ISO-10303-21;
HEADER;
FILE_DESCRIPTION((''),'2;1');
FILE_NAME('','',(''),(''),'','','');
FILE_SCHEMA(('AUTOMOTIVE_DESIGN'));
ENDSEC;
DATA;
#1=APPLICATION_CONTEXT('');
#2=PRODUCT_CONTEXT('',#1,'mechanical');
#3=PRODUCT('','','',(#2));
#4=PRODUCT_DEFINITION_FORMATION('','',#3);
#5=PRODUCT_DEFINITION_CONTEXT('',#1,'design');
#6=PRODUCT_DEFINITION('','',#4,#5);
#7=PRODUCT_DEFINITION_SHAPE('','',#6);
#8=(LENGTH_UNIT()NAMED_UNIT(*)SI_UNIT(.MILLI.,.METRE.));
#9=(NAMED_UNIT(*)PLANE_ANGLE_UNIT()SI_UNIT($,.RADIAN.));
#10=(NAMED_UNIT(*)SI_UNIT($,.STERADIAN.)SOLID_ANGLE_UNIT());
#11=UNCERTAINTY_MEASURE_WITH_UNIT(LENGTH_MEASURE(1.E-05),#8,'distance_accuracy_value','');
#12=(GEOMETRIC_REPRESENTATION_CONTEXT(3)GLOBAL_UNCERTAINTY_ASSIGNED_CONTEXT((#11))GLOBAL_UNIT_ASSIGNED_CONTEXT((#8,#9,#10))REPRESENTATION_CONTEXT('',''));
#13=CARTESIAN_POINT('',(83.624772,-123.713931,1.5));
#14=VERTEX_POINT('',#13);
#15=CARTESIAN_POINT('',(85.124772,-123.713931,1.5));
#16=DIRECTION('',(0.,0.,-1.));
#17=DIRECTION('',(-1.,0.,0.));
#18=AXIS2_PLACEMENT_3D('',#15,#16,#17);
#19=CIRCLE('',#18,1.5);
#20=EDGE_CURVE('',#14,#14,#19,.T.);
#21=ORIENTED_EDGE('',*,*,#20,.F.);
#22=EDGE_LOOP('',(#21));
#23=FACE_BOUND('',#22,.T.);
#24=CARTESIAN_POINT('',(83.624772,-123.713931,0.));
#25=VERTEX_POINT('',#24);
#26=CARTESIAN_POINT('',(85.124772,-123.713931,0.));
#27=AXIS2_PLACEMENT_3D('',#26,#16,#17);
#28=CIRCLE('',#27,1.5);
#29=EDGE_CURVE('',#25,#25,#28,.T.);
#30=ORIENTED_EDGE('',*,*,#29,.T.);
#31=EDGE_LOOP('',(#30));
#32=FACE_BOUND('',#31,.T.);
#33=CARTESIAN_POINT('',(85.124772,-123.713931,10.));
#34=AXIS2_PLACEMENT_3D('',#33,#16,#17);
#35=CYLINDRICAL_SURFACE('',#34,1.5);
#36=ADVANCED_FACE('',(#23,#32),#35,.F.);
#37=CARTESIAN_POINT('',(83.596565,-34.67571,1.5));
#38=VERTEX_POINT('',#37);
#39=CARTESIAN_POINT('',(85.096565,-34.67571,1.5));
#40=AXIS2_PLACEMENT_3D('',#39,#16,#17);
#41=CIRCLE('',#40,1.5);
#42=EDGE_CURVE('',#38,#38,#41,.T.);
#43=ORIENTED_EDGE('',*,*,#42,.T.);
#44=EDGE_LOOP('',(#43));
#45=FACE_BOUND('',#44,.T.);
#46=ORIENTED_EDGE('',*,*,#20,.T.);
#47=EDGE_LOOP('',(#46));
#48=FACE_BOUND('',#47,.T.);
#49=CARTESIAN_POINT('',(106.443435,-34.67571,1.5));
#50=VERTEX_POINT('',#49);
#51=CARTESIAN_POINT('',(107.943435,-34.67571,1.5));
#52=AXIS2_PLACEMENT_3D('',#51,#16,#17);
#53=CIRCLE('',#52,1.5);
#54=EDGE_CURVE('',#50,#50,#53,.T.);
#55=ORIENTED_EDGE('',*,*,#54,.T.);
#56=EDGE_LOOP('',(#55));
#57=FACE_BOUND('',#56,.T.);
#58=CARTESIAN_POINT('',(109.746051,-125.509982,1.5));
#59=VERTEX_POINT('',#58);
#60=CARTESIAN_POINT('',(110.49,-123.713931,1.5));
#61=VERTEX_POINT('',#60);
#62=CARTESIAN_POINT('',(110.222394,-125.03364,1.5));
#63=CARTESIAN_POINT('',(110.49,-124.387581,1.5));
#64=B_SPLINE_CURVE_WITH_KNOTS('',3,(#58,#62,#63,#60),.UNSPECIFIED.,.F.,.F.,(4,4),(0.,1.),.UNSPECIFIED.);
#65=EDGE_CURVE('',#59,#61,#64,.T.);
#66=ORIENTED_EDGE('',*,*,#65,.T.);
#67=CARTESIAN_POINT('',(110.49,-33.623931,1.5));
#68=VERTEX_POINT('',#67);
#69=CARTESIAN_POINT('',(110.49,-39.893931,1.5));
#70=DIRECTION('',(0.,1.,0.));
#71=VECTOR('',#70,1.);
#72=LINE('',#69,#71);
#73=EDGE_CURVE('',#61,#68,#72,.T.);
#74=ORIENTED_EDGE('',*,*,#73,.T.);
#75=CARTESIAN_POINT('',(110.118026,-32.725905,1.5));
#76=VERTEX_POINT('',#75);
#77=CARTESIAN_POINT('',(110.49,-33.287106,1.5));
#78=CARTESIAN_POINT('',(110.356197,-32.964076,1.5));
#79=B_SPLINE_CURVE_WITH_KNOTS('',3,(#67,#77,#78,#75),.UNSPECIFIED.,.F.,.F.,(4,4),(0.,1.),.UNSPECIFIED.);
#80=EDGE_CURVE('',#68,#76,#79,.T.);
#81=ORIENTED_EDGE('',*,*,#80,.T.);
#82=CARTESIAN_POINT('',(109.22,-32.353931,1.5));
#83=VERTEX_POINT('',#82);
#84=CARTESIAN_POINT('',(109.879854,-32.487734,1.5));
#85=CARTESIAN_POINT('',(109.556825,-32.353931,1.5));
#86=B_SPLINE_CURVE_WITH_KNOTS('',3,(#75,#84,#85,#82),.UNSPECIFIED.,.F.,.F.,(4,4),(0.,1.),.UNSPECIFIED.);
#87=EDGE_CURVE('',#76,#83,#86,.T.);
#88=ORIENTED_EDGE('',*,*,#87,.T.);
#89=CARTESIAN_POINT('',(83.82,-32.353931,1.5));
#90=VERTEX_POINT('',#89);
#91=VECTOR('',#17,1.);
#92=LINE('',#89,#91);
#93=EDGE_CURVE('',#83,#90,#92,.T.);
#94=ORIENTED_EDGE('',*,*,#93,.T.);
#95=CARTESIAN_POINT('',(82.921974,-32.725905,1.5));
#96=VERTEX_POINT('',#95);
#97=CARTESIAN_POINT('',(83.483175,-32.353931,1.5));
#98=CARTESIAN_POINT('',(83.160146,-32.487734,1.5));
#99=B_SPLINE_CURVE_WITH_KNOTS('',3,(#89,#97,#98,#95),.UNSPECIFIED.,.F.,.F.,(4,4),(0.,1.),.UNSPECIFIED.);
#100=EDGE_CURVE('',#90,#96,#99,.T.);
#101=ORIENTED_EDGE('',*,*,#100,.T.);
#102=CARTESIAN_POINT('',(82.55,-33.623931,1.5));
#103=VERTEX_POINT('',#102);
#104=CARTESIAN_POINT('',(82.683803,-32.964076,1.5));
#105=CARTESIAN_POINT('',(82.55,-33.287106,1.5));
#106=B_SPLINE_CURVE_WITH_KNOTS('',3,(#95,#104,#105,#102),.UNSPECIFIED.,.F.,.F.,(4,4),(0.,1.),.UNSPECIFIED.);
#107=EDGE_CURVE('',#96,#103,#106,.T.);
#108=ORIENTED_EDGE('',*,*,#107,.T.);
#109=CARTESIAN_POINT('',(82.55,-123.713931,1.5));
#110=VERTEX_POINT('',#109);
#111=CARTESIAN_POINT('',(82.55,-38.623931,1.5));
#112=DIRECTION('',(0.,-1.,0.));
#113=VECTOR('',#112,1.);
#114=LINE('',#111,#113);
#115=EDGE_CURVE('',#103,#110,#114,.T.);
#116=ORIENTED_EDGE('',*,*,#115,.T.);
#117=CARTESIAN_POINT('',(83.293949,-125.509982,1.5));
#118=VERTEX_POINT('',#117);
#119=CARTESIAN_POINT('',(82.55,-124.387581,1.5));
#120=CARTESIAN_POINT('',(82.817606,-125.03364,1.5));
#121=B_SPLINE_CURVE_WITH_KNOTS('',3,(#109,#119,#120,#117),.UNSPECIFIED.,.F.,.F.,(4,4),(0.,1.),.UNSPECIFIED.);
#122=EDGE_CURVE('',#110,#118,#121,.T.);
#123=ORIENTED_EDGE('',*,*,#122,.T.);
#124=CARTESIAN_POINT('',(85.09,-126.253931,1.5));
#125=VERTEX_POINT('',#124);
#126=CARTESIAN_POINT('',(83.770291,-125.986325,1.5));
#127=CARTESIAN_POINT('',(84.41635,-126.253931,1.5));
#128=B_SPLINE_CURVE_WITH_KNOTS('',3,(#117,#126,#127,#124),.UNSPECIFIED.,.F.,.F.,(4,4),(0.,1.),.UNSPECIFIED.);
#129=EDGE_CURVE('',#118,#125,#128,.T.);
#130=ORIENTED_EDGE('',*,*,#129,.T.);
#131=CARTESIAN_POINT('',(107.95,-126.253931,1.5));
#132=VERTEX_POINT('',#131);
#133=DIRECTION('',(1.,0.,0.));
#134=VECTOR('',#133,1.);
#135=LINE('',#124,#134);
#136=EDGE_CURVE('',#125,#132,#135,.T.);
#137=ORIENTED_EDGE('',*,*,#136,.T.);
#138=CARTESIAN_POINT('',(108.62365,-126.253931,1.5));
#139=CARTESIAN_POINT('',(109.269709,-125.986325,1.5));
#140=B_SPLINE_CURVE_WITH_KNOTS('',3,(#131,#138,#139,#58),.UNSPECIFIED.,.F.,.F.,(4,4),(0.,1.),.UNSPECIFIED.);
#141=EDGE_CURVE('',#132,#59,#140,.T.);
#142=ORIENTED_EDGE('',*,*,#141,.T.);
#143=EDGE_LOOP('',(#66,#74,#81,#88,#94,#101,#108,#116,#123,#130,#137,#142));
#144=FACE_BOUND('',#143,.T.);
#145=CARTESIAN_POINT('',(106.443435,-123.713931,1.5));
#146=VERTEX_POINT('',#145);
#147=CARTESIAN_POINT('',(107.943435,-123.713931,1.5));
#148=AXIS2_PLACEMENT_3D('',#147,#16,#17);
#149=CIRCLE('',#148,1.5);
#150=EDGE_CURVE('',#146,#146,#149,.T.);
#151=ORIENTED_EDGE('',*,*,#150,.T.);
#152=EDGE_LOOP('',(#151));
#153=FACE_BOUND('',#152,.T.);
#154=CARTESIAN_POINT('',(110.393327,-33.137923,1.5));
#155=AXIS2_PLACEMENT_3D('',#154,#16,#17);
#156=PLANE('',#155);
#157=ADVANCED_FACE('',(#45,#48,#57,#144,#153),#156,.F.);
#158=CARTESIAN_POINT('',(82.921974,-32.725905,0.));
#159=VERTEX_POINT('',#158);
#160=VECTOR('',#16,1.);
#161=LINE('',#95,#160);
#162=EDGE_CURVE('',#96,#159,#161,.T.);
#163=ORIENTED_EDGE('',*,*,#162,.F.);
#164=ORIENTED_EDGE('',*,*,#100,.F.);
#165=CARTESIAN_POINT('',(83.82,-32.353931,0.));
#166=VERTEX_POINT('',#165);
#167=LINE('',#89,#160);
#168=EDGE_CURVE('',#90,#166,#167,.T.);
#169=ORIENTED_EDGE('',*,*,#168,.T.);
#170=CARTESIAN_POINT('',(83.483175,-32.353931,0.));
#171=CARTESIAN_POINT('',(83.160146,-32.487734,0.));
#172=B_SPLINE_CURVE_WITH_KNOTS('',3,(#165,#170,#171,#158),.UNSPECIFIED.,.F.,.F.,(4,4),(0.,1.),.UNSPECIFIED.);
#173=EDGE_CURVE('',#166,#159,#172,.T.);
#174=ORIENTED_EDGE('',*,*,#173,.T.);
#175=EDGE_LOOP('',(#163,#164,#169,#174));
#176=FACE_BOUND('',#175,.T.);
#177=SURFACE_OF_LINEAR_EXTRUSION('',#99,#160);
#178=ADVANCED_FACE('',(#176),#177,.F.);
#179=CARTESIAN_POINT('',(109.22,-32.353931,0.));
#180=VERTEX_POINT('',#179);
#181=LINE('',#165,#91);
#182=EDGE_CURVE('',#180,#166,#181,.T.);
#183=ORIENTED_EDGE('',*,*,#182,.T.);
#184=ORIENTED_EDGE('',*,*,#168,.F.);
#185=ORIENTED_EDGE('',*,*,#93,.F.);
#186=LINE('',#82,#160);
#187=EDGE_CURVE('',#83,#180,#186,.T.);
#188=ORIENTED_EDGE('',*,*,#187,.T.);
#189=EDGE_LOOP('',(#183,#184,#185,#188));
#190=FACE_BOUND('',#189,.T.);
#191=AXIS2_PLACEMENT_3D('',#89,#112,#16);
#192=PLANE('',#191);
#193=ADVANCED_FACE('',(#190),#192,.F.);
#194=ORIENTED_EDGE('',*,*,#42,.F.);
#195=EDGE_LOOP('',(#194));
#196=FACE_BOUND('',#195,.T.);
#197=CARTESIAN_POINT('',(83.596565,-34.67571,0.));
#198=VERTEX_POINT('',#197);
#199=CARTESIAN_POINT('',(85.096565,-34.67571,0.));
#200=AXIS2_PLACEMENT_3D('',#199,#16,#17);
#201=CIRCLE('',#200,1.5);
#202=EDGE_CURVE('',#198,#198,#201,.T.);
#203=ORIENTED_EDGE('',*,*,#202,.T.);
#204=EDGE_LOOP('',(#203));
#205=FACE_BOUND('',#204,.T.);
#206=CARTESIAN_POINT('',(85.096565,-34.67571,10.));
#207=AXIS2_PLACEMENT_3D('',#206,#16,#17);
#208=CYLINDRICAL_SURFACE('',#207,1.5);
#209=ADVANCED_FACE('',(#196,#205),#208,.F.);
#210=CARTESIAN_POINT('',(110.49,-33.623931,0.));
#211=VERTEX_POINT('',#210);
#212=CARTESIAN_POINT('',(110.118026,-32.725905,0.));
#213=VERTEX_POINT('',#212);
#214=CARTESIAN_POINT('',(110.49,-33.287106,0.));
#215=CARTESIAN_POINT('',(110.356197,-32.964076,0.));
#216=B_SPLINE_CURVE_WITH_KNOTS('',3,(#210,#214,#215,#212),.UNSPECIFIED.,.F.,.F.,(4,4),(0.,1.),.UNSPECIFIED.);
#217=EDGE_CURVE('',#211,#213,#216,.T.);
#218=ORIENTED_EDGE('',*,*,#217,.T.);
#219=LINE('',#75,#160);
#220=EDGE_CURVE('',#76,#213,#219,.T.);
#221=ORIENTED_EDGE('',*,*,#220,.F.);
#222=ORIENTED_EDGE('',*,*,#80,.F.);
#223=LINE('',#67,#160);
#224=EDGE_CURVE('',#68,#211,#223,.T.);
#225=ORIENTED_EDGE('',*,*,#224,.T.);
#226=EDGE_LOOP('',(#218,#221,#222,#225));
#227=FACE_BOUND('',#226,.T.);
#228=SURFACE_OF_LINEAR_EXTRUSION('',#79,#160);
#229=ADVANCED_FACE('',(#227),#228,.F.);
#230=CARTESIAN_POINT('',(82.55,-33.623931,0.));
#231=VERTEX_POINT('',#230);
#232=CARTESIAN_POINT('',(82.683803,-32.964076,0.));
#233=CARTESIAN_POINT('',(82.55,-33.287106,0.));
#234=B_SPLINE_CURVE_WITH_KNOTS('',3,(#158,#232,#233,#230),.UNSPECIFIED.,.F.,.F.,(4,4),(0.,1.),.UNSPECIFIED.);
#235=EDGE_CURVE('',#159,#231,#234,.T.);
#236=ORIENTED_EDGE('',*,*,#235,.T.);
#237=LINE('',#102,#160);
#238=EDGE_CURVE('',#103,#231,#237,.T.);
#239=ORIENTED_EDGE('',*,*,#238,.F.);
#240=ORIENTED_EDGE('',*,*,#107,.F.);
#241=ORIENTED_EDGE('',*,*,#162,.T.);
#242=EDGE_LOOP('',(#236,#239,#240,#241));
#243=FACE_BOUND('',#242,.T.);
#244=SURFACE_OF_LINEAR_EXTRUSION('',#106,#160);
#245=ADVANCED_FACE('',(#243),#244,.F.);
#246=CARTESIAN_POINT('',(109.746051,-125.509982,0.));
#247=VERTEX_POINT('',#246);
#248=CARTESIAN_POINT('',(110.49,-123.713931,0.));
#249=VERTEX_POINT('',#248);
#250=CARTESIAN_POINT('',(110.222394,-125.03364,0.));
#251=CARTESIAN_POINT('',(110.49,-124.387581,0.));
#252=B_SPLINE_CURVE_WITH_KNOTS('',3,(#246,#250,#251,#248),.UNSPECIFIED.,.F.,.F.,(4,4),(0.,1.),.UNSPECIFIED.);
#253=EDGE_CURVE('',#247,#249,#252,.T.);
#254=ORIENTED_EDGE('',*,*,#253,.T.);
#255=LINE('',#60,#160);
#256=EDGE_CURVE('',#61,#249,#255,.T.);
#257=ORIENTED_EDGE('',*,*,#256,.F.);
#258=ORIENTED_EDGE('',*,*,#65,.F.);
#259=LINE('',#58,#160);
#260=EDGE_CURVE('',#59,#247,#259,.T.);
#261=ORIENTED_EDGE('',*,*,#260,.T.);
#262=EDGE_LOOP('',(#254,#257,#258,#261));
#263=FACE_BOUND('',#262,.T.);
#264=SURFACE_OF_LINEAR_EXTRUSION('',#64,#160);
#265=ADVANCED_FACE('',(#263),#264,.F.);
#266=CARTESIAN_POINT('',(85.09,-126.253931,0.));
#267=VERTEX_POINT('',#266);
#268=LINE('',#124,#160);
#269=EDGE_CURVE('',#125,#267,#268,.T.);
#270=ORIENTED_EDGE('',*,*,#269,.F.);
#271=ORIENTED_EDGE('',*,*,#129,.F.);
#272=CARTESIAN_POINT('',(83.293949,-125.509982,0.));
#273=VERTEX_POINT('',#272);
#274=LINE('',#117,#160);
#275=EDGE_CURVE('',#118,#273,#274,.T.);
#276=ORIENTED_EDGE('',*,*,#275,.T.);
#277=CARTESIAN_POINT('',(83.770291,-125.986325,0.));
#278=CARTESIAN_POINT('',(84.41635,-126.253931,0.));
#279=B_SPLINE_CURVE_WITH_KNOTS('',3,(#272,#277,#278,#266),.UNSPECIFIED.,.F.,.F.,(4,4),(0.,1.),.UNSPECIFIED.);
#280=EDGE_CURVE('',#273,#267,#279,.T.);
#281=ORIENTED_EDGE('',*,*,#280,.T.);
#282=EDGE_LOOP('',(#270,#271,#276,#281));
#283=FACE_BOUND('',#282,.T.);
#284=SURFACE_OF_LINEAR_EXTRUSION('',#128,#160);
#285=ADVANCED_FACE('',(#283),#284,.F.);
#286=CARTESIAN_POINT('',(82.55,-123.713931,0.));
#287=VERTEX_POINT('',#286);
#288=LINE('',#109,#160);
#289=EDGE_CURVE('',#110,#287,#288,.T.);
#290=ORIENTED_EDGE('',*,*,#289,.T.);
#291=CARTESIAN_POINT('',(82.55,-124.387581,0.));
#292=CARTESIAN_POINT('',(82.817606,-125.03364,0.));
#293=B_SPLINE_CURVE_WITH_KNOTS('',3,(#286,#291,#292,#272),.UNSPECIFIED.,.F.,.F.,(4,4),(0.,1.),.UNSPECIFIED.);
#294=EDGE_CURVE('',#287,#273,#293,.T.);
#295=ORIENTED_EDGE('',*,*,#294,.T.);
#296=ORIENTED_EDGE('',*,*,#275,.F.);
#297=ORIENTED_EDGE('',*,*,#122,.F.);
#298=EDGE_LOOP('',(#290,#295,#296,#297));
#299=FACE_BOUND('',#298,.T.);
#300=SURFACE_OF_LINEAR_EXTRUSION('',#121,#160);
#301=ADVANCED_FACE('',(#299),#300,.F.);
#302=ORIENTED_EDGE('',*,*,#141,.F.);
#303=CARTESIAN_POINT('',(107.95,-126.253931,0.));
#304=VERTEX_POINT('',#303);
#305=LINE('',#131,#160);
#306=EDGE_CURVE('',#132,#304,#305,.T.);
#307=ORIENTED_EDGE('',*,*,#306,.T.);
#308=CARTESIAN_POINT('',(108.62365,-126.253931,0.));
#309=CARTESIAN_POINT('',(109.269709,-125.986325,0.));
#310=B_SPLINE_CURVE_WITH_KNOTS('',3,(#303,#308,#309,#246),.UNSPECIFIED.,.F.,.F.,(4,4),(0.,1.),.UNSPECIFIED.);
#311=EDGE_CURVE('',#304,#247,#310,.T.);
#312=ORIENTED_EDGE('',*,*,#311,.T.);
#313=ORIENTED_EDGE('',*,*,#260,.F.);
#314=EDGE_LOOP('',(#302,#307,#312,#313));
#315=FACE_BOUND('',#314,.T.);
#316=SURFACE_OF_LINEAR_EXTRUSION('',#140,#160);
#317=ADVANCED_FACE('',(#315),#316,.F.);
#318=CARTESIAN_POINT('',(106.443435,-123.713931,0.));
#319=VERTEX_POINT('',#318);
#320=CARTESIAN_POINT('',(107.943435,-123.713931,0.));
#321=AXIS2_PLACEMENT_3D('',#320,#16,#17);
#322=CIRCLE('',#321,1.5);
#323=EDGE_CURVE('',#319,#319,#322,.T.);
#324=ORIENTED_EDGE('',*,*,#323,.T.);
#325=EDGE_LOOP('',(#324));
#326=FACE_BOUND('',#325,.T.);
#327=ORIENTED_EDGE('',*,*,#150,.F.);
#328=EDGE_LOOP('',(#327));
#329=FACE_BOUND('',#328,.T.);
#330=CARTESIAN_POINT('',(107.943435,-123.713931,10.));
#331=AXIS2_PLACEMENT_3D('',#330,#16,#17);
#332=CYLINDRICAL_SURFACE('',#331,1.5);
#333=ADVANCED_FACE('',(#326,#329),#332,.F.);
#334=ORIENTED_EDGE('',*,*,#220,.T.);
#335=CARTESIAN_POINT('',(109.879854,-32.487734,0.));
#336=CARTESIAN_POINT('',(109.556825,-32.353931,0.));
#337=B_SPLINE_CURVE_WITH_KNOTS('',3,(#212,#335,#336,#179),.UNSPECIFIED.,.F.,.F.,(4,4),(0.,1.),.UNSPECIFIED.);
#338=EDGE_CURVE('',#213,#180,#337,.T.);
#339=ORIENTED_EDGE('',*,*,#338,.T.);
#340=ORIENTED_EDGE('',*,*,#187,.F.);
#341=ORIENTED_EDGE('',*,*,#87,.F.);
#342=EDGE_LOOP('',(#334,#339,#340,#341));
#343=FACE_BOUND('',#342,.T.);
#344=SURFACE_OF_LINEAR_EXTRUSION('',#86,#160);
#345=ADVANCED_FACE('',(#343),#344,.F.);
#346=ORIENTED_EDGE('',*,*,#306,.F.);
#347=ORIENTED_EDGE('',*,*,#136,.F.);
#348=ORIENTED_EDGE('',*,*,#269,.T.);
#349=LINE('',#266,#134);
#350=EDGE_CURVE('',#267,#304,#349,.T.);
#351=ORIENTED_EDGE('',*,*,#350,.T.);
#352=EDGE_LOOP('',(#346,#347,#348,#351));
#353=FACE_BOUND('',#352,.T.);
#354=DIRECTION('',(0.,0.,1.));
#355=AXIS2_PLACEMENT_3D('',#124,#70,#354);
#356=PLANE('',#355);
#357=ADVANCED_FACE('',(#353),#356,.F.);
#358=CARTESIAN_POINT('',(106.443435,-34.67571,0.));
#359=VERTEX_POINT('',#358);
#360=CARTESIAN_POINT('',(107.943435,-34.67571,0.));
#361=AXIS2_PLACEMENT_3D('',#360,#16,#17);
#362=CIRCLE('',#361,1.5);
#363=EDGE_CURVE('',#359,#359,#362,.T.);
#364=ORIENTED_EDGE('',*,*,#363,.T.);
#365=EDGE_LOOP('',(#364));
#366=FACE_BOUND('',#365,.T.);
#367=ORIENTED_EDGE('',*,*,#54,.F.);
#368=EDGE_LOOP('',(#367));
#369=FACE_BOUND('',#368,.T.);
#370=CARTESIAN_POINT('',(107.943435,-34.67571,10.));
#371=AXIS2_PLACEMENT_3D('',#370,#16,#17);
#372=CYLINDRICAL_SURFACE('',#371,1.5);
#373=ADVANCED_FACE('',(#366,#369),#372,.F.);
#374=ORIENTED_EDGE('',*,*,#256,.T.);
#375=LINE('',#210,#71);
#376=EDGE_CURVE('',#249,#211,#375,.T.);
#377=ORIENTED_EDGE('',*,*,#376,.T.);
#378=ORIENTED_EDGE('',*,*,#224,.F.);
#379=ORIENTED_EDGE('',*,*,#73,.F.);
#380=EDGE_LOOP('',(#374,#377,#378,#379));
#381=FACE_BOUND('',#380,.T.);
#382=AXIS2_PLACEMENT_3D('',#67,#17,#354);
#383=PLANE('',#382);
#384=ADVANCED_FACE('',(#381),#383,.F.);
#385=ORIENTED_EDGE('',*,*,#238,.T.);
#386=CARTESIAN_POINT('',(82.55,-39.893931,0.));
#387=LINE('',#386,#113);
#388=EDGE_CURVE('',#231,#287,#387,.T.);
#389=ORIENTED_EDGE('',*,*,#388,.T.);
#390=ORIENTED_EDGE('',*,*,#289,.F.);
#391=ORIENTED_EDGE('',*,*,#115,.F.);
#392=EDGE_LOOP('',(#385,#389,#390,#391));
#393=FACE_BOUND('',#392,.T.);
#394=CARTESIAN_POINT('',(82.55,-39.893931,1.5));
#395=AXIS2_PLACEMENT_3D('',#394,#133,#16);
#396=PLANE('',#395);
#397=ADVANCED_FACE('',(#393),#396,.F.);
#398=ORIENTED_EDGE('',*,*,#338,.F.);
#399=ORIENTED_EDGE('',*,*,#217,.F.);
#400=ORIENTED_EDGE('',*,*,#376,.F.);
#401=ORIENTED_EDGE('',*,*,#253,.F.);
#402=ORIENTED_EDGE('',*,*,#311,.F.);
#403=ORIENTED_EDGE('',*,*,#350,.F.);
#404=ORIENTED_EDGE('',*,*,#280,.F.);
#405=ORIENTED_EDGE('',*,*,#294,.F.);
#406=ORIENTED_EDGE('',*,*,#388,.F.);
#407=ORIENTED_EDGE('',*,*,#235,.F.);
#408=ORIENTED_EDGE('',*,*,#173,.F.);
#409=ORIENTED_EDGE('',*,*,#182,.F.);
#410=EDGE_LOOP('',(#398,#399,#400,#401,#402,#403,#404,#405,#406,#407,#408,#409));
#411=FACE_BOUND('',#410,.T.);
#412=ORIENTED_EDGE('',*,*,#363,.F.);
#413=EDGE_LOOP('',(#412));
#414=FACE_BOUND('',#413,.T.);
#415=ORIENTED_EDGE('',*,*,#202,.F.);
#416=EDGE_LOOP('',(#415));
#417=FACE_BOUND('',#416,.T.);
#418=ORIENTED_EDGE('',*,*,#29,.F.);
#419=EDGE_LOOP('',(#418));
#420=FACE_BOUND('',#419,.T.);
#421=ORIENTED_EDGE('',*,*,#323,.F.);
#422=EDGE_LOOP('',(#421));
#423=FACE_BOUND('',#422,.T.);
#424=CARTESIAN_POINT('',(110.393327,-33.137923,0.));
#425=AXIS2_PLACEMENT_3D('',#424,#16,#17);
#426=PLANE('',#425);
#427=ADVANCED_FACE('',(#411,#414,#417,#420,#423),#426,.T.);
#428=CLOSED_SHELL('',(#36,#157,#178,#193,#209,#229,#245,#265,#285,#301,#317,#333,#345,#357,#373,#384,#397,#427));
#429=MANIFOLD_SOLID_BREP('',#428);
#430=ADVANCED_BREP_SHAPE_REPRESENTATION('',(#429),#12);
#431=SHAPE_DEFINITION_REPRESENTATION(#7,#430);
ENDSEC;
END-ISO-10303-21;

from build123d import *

# Parameters (mm, degrees)
BOSS_EXTRU_1_DEPTH      = 1.5
ESQUISSE2_R             = 1.304771715
ESQUISSE2_R_2           = 1.27
ENL_V_MAT_EXTRU_1_DEPTH = 10
ESQUISSE3_R             = 1.3
ENL_V_MAT_EXTRU_2_DEPTH = 10
ESQUISSE4_R             = 1.3
ENL_V_MAT_EXTRU_3_DEPTH = 10
ESQUISSE6_R             = 1.5
ENL_V_MAT_EXTRU_4_DEPTH = 10


with BuildPart() as part:
    # Model → Boss.-Extru.1 (new body)
    with BuildSketch(Plane.XY):
        with BuildLine():
            Line((110.49, -33.623931), (110.49, -38.623931))
            Line((110.49, -38.623931), (110.49, -39.893931))
            Line((110.49, -39.893931), (110.49, -123.713931))
            add(Edge.make_bspline(
                [(109.746051, -125.509982), (110.222394, -125.03364), (110.49, -124.387581), (110.49, -123.713931)],
                knots=[0, 0, 0, 0, 1, 1, 1, 1], degree=3))
            add(Edge.make_bspline(
                [(107.95, -126.253931), (108.62365, -126.253931), (109.269709, -125.986325), (109.746051, -125.509982)],
                knots=[0, 0, 0, 0, 1, 1, 1, 1], degree=3))
            Line((107.95, -126.253931), (85.09, -126.253931))
            add(Edge.make_bspline(
                [(83.293949, -125.509982), (83.770291, -125.986325), (84.41635, -126.253931), (85.09, -126.253931)],
                knots=[0, 0, 0, 0, 1, 1, 1, 1], degree=3))
            add(Edge.make_bspline(
                [(82.55, -123.713931), (82.55, -124.387581), (82.817606, -125.03364), (83.293949, -125.509982)],
                knots=[0, 0, 0, 0, 1, 1, 1, 1], degree=3))
            Line((82.55, -123.713931), (82.55, -39.893931))
            Line((82.55, -39.893931), (82.55, -38.623931))
            Line((82.55, -38.623931), (82.55, -33.623931))
            add(Edge.make_bspline(
                [(82.921974, -32.725905), (82.683803, -32.964076), (82.55, -33.287106), (82.55, -33.623931)],
                knots=[0, 0, 0, 0, 1, 1, 1, 1], degree=3))
            add(Edge.make_bspline(
                [(83.82, -32.353931), (83.483175, -32.353931), (83.160146, -32.487734), (82.921974, -32.725905)],
                knots=[0, 0, 0, 0, 1, 1, 1, 1], degree=3))
            Line((83.82, -32.353931), (109.22, -32.353931))
            add(Edge.make_bspline(
                [(110.118026, -32.725905), (109.879854, -32.487734), (109.556825, -32.353931), (109.22, -32.353931)],
                knots=[0, 0, 0, 0, 1, 1, 1, 1], degree=3))
            add(Edge.make_bspline(
                [(110.49, -33.623931), (110.49, -33.287106), (110.356197, -32.964076), (110.118026, -32.725905)],
                knots=[0, 0, 0, 0, 1, 1, 1, 1], degree=3))
        make_face()
    extrude(amount=BOSS_EXTRU_1_DEPTH)

    # Esquisse2 → Enlèv. mat.-Extru.1 (cut)
    with BuildSketch(Plane.XY.offset(1.5)):
        with Locations((85.124771715, -123.713931)):
            Circle(ESQUISSE2_R)
        with Locations((122.913557923, -132.317690326)):
            Circle(ESQUISSE2_R_2)
    extrude(amount=-ENL_V_MAT_EXTRU_1_DEPTH, mode=Mode.SUBTRACT)

    # Esquisse3 → Enlèv. mat.-Extru.2 (cut)
    with BuildSketch(Plane.XY.offset(1.5)):
        with Locations((107.943434753, -123.713931)):
            Circle(ESQUISSE3_R)
    extrude(amount=-ENL_V_MAT_EXTRU_2_DEPTH, mode=Mode.SUBTRACT)

    # Esquisse4 → Enlèv. mat.-Extru.3 (cut)
    with BuildSketch(Plane(origin=(0, 0, 0), x_dir=(-1, 0, 0), z_dir=(0, 0, -1))):
        with Locations((-107.943434753, -34.675709558)):
            Circle(ESQUISSE4_R)
        with Locations((-85.096565247, -34.675709558)):
            Circle(ESQUISSE4_R)
    extrude(amount=-ENL_V_MAT_EXTRU_3_DEPTH, mode=Mode.SUBTRACT)

    # Esquisse6 → Enlèv. mat.-Extru.4 (cut)
    with BuildSketch(Plane(origin=(0, 0, 0), x_dir=(-1, 0, 0), z_dir=(0, 0, -1))):
        with Locations((-107.943434753, -34.675709558)):
            Circle(ESQUISSE6_R)
        with Locations((-85.096565247, -34.675709558)):
            Circle(ESQUISSE6_R)
        with Locations((-85.124771715, -123.713931)):
            Circle(ESQUISSE6_R)
        with Locations((-107.943434753, -123.713931)):
            Circle(ESQUISSE6_R)
    extrude(amount=-ENL_V_MAT_EXTRU_4_DEPTH, mode=Mode.SUBTRACT)


solid = part.part
